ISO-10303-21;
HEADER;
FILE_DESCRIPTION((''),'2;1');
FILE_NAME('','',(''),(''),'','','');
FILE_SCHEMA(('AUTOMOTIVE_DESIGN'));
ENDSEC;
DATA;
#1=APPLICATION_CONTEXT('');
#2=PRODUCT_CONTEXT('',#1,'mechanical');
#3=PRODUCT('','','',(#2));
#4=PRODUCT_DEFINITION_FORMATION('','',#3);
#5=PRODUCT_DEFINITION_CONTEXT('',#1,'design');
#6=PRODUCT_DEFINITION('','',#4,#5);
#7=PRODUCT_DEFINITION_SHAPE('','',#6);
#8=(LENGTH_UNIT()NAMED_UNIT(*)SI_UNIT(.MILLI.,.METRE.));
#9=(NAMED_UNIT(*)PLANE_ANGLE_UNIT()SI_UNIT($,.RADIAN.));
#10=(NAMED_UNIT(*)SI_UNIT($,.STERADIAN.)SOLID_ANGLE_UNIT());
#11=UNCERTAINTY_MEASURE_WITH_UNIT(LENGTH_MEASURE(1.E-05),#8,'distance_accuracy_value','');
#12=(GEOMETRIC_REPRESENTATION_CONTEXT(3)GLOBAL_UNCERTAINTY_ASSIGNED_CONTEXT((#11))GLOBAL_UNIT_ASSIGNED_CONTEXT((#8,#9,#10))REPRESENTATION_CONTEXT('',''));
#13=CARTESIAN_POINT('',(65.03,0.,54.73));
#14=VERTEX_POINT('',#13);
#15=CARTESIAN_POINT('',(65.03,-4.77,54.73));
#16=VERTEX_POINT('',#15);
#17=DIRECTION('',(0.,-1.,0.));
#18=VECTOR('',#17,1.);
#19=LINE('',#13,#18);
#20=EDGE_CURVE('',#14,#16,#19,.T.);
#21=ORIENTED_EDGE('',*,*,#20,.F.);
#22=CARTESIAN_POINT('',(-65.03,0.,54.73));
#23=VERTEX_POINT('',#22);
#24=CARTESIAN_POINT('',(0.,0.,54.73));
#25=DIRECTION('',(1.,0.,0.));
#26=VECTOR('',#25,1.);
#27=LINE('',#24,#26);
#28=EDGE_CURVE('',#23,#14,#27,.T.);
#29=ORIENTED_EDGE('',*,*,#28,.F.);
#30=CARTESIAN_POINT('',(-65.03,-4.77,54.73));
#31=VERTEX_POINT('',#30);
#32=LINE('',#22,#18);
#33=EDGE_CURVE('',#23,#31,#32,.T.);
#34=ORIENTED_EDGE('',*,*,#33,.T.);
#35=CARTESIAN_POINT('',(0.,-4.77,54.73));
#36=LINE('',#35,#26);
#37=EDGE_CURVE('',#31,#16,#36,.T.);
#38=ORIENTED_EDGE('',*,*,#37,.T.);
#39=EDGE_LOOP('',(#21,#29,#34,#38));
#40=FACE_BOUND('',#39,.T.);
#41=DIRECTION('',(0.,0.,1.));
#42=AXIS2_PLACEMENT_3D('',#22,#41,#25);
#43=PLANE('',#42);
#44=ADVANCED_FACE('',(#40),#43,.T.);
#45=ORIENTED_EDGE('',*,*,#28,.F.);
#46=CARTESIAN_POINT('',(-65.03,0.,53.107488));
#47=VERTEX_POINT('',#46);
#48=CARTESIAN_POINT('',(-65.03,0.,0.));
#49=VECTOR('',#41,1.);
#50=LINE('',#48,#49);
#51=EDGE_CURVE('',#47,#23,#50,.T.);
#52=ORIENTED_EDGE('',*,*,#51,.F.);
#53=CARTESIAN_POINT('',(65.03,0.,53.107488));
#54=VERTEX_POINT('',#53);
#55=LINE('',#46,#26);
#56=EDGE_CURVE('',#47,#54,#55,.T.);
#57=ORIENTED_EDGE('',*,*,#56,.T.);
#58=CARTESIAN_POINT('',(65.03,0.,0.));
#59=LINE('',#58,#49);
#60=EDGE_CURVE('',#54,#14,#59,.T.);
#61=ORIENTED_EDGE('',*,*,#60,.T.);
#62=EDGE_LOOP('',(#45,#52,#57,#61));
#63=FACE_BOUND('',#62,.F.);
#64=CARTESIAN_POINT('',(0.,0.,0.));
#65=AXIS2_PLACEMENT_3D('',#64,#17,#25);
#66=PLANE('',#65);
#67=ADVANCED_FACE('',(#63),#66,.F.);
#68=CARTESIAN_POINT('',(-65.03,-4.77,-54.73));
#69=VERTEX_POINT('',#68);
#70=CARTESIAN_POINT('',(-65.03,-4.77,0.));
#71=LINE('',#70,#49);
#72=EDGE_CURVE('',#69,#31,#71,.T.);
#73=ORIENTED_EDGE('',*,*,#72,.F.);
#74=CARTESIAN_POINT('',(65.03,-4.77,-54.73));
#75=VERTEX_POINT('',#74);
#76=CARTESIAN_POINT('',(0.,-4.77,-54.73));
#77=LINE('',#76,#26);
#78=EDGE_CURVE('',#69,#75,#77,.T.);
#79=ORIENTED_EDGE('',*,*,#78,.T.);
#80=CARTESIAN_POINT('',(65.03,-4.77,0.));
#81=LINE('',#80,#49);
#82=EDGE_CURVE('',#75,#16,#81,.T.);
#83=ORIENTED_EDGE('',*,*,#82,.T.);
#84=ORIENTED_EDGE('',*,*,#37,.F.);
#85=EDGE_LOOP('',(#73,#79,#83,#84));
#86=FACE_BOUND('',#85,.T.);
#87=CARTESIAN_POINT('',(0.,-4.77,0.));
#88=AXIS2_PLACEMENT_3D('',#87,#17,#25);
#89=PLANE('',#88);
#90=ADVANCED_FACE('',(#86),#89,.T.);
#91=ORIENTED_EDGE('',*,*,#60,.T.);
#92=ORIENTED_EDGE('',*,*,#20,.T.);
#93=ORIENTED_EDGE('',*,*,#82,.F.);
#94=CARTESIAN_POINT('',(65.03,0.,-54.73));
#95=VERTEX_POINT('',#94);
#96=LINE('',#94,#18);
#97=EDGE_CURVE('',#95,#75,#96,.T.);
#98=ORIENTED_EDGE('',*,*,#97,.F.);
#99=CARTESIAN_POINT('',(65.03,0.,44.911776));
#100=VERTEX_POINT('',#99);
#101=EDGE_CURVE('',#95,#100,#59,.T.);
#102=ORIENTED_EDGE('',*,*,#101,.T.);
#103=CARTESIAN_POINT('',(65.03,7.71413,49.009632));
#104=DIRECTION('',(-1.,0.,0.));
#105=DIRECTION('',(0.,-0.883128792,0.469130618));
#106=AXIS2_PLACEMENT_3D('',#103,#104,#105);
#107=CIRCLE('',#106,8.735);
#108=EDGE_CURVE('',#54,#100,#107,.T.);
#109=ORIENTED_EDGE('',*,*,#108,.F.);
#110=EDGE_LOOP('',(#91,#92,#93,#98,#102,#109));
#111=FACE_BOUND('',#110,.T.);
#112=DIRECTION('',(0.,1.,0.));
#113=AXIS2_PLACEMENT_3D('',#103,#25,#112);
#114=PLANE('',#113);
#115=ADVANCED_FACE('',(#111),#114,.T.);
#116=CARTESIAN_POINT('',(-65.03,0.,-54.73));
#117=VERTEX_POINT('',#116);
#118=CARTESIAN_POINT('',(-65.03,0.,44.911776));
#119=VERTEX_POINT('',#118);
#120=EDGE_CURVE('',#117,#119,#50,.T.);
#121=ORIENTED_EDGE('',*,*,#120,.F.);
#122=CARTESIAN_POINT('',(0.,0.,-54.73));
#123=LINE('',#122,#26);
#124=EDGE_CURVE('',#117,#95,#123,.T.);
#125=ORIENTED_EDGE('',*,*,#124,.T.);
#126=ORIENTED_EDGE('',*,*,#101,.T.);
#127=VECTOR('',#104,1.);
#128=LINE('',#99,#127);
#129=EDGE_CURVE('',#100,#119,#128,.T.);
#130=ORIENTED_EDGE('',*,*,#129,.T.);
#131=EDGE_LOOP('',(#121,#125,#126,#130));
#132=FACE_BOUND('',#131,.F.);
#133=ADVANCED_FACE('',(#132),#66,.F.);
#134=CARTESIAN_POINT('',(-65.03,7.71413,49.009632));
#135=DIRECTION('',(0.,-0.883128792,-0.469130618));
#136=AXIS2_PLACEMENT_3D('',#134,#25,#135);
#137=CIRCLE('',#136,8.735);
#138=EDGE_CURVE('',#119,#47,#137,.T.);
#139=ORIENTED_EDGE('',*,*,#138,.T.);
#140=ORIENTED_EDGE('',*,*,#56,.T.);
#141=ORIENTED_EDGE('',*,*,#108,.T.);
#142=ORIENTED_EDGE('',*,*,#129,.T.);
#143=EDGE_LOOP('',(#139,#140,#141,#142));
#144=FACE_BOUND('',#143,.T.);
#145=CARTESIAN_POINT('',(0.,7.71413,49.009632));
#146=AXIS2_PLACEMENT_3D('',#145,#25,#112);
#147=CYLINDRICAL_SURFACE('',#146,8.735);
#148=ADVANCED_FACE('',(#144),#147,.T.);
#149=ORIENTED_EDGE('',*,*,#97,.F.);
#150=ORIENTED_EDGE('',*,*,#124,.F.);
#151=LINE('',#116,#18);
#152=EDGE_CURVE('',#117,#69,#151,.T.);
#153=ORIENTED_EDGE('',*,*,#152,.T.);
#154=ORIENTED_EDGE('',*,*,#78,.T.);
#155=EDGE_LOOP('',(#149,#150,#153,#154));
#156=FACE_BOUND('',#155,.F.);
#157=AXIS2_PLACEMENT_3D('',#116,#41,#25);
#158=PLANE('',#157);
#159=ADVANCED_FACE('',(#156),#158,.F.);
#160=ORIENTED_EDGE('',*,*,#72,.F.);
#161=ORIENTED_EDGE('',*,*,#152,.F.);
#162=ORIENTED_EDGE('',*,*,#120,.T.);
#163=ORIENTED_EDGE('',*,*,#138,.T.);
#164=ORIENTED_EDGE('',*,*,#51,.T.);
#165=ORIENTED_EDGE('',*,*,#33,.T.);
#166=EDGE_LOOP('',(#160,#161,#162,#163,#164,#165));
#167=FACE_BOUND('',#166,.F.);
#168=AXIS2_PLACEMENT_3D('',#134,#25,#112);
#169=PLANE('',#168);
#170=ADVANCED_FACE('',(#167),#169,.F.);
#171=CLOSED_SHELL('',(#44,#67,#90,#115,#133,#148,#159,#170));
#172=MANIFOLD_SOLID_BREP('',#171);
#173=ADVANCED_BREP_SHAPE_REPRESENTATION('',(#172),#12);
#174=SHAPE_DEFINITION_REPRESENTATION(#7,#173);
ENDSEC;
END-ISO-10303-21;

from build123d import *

# Parameters (mm, degrees)
F0_W          = 130.06
F0_H          = 109.46
F1_DEPTH      = 4.77
F2_R          = 8.735
F3_DEPTH      = 65.03
F3_DEPTH_BACK = 65.03


with BuildPart() as f1:
    # F0 (on Front) → F1 (new body)
    with BuildSketch(Plane.XZ):
        Rectangle(F0_W, F0_H)
    extrude(amount=F1_DEPTH)

    # F2 (on Right) → F3 (join, two sides)
    with BuildSketch(Plane.YZ) as f3_sk:
        with Locations((7.71413, 49.009632)):
            Circle(F2_R)
    extrude(amount=F3_DEPTH)
    extrude(f3_sk.sketch, amount=-F3_DEPTH_BACK)


solid = f1.part
